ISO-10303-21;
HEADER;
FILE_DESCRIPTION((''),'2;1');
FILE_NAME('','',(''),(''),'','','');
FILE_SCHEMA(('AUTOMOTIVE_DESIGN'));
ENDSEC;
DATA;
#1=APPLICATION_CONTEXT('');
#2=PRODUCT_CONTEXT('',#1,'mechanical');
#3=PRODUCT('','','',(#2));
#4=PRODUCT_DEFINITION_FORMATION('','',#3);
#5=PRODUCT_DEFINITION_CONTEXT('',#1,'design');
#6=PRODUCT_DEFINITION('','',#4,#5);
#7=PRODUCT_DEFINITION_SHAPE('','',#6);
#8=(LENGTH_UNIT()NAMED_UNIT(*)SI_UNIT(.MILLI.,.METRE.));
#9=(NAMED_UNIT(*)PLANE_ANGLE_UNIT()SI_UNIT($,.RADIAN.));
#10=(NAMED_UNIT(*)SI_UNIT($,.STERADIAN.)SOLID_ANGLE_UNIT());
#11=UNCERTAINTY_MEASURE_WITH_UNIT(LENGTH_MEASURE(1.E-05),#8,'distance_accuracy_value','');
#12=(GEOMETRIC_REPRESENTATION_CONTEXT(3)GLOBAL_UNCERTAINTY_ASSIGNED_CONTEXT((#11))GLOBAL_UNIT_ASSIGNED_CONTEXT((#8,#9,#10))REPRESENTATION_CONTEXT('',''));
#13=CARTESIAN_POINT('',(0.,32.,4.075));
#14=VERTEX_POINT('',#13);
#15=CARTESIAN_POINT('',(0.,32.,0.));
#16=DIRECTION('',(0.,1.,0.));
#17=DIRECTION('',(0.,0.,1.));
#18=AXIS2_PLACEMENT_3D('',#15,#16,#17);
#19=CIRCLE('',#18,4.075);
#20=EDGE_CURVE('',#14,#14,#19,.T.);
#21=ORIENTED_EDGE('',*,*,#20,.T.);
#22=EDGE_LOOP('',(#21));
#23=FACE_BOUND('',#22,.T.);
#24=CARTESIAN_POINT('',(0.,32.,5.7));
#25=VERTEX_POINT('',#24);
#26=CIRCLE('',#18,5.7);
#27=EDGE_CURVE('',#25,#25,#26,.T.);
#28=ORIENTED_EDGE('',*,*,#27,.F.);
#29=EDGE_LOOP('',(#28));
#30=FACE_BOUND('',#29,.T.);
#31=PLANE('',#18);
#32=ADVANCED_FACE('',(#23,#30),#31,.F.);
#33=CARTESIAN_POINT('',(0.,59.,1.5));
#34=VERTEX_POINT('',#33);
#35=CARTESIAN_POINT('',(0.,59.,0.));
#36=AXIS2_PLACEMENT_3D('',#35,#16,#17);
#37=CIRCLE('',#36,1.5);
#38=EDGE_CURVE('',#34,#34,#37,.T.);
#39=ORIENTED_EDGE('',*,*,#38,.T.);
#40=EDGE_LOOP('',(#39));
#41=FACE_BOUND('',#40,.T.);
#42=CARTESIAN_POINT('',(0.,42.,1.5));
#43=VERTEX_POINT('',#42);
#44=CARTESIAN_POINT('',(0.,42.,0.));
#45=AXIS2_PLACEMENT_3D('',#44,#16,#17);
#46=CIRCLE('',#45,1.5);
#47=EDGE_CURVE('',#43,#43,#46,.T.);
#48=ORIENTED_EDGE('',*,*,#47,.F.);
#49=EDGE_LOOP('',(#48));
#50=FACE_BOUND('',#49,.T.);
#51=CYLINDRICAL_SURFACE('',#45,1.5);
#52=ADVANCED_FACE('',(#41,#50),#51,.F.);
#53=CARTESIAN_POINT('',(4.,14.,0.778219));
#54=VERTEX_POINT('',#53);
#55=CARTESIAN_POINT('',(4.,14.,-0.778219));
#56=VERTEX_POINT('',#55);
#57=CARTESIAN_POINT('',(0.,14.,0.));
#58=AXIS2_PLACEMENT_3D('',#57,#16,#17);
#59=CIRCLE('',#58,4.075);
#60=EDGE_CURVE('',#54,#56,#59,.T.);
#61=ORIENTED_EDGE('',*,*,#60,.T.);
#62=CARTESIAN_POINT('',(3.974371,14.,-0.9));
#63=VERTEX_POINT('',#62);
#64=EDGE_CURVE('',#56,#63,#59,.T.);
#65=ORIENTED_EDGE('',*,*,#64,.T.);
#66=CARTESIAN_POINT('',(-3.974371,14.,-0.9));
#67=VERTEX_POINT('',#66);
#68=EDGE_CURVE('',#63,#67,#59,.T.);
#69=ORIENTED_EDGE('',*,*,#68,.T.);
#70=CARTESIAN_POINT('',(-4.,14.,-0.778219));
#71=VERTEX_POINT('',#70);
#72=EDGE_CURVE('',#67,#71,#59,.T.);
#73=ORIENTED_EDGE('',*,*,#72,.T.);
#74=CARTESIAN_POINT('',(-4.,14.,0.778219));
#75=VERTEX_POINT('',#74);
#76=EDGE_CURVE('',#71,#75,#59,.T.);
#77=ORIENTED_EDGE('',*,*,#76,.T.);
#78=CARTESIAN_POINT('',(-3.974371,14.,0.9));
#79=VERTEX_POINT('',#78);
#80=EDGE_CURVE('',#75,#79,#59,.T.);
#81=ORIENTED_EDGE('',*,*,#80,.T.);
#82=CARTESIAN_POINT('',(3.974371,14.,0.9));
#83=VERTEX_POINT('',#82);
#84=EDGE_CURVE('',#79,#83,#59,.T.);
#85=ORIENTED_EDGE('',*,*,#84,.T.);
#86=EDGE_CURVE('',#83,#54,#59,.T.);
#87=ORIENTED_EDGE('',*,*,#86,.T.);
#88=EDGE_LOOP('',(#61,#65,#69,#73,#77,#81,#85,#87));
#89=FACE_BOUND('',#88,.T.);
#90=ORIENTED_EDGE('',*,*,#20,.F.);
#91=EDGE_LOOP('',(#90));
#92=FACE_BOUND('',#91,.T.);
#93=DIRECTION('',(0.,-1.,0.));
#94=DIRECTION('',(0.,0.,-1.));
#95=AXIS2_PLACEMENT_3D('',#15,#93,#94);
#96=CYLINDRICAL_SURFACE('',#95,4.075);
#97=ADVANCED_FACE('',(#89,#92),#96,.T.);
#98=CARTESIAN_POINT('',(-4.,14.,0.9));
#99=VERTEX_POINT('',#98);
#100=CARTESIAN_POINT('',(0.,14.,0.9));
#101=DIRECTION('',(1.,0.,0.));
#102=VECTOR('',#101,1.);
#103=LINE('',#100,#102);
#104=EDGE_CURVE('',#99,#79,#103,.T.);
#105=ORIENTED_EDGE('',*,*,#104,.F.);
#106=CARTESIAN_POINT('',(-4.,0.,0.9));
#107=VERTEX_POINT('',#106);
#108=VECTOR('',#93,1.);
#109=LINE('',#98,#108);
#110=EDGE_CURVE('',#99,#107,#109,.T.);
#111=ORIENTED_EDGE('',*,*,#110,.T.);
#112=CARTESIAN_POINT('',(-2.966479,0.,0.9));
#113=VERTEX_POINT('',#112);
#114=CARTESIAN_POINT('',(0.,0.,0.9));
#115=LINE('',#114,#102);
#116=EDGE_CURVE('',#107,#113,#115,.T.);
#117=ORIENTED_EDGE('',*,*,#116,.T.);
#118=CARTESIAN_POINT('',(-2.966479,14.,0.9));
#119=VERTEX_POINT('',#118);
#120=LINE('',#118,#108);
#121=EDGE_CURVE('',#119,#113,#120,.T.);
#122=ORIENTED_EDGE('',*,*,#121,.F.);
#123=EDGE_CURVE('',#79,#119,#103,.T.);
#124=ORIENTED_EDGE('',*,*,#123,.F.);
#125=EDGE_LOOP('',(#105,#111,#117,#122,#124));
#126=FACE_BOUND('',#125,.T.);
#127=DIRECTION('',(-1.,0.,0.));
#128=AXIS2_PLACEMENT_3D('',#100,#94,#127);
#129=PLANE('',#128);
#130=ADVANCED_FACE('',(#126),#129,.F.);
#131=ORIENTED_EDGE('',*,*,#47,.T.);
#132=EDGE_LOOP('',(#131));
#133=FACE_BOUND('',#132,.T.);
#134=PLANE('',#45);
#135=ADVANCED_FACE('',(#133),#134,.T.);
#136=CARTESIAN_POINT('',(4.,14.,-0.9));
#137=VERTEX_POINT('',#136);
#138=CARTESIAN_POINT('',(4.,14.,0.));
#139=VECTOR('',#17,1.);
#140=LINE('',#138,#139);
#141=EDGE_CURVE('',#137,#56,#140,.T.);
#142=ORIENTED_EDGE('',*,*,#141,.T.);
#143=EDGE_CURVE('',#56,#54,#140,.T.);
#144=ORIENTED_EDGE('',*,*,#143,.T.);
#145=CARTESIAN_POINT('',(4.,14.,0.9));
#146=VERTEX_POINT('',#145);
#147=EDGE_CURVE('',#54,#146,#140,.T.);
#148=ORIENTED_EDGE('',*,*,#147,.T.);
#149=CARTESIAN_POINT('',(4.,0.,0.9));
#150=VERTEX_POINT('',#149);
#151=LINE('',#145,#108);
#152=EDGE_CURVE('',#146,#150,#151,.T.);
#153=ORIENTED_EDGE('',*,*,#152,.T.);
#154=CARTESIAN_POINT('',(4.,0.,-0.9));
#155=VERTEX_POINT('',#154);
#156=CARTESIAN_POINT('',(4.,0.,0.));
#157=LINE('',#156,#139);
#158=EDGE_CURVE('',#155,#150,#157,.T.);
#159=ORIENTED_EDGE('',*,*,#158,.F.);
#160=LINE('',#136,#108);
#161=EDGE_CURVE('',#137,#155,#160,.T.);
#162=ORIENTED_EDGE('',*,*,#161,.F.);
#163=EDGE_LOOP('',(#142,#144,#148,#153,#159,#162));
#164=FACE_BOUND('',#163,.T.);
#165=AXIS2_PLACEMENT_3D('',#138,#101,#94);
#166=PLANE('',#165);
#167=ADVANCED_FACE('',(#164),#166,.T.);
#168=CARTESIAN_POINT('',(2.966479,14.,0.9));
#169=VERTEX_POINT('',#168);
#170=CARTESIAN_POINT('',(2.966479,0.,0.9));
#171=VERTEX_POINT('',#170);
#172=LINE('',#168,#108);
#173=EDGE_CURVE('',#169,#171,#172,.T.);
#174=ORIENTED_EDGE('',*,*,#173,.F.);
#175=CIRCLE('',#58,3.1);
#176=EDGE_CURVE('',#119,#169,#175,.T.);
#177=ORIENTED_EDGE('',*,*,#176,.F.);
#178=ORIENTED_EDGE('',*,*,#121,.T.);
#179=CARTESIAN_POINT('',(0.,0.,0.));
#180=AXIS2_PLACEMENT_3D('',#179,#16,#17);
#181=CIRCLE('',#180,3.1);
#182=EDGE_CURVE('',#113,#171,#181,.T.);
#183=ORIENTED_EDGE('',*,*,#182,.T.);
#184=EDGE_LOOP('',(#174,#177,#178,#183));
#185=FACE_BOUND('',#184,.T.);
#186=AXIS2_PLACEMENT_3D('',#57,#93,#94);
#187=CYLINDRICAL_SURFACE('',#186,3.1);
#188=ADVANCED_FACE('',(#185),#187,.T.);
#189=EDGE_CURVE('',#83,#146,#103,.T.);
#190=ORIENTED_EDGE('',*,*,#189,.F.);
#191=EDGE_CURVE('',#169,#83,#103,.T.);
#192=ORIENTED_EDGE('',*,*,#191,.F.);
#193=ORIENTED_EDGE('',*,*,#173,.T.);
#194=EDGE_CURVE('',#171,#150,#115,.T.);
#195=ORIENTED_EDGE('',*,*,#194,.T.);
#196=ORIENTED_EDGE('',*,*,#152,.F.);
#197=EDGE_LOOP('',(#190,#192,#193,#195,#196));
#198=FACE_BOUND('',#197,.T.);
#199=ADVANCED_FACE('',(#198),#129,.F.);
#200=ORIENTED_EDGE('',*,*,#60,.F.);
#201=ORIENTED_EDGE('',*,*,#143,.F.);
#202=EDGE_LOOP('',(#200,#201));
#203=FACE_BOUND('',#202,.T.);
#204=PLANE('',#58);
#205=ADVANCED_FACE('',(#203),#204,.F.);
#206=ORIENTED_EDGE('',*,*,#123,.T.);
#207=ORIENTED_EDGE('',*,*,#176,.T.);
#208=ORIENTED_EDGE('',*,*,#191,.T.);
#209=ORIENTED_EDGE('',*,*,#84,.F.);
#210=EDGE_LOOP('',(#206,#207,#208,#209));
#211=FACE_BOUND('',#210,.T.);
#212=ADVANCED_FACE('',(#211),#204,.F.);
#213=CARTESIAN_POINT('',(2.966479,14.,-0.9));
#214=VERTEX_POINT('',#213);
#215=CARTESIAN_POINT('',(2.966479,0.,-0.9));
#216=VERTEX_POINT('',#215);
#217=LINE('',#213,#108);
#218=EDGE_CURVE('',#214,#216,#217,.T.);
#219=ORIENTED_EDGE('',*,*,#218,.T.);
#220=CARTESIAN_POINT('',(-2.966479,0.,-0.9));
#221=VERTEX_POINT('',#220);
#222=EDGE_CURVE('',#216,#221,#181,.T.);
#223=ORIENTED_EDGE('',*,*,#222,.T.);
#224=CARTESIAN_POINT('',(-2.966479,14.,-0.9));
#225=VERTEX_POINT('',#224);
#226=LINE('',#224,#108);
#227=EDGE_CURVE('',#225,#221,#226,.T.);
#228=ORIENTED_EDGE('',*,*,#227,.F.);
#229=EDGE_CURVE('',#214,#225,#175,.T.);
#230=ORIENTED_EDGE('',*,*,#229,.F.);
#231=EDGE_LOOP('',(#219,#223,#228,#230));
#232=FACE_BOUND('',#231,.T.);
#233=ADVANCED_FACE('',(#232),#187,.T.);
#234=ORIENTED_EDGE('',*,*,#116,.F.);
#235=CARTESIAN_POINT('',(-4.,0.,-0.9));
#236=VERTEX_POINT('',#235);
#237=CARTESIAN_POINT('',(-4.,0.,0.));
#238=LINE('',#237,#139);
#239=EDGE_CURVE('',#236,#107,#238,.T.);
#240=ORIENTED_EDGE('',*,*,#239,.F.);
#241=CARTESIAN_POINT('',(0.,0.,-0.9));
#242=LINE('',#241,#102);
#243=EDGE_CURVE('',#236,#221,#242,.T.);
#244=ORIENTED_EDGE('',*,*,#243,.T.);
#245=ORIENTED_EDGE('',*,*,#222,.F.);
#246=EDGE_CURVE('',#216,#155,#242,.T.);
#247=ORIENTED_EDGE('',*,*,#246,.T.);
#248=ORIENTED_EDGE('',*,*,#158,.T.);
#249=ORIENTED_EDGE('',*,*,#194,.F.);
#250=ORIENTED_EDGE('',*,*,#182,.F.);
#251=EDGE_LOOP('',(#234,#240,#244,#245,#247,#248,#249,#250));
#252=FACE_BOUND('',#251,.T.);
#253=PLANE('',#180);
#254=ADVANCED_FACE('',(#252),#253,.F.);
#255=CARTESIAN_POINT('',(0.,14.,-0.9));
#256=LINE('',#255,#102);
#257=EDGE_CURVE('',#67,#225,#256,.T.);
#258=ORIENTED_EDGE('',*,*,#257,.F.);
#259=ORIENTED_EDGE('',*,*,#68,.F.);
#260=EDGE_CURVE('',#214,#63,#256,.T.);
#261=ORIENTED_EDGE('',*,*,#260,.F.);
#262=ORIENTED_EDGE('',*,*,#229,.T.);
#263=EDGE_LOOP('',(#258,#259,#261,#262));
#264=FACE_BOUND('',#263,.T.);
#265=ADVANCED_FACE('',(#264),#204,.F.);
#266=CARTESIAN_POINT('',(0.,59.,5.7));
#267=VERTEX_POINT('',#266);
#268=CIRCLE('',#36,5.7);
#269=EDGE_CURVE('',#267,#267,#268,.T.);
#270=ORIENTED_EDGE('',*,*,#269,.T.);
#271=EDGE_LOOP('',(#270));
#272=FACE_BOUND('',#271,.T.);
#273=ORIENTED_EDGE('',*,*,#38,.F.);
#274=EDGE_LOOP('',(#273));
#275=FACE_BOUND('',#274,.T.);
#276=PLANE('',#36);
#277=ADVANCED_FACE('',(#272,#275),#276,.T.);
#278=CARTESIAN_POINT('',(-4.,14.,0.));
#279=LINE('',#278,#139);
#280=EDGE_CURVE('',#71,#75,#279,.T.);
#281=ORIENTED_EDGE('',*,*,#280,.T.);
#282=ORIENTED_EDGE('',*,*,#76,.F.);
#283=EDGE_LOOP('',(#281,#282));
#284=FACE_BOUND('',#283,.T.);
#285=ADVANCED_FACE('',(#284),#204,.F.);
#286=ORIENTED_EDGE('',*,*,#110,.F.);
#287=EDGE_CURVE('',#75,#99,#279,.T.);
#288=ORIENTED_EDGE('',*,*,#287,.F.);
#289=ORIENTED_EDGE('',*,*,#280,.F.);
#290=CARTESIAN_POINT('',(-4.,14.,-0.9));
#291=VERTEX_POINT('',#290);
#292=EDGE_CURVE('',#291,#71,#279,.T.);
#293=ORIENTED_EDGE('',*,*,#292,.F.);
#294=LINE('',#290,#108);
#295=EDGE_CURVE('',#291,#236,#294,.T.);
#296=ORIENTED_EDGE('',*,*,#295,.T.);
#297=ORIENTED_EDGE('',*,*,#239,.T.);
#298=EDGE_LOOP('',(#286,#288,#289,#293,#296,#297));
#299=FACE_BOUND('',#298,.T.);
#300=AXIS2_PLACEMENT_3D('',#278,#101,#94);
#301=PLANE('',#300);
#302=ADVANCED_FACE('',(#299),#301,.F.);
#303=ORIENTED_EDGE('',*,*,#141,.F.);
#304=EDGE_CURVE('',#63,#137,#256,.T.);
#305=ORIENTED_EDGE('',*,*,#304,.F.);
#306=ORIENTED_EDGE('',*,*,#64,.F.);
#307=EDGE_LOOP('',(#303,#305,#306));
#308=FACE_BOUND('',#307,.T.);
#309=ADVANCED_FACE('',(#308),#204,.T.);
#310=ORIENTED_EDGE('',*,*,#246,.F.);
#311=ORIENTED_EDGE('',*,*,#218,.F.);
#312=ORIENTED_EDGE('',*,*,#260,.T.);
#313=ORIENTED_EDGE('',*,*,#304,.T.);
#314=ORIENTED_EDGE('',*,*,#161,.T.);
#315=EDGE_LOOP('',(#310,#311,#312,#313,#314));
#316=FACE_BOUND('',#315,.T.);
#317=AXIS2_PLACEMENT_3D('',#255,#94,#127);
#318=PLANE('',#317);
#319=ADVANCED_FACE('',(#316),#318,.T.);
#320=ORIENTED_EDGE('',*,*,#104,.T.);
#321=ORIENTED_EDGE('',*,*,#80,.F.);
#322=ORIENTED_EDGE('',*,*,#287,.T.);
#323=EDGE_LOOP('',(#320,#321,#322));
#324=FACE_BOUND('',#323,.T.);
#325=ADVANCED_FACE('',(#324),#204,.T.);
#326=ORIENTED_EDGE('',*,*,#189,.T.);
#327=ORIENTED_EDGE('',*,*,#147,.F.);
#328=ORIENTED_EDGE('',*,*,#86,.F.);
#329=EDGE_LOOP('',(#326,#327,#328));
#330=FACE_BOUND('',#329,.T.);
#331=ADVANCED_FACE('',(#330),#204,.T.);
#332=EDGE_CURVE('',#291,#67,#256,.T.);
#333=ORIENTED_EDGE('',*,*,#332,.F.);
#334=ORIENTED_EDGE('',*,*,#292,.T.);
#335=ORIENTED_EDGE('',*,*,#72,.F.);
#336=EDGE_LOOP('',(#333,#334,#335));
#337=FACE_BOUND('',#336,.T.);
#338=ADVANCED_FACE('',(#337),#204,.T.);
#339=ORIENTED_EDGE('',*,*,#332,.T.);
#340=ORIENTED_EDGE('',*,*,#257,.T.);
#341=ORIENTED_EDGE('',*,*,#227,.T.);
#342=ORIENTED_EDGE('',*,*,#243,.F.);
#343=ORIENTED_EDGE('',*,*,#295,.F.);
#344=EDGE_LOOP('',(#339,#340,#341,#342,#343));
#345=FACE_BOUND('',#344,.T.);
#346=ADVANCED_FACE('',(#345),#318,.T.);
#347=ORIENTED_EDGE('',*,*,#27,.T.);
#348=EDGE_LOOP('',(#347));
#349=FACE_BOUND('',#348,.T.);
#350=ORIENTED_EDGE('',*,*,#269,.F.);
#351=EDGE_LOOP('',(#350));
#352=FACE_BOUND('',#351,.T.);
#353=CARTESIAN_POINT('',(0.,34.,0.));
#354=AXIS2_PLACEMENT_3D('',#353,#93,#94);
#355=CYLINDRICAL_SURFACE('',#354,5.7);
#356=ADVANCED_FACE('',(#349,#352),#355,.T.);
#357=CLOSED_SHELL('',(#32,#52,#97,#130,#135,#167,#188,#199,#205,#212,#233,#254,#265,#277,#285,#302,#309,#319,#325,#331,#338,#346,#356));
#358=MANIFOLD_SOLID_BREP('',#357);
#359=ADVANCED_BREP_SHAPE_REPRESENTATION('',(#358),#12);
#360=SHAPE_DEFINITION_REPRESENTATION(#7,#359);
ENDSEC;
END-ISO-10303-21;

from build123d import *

# Parameters (mm, degrees)
SKETCH1_R           = 3.1
SKETCH1_W           = 8
SKETCH1_H           = 1.8
BOSS_EXTRUDE1_DEPTH = 14
SKETCH2_R           = 4.075
BOSS_EXTRUDE2_DEPTH = 18
SKETCH3_R           = 5.7
BOSS_EXTRUDE3_DEPTH = 2
SKETCH4_R           = 5.7
BOSS_EXTRUDE4_DEPTH = 25
SKETCH5_R           = 1.5
CUT_EXTRUDE1_DEPTH  = 17


with BuildPart() as part:
    # Sketch1 → Boss-Extrude1 (new body)
    with BuildSketch(Plane(origin=(0, 0, 0), x_dir=(1, 0, 0), z_dir=(0, 1, 0))):
        Circle(SKETCH1_R)
        Rectangle(SKETCH1_W, SKETCH1_H)
    extrude(amount=BOSS_EXTRUDE1_DEPTH)

    # Sketch2 → Boss-Extrude2 (add)
    with BuildSketch(Plane(origin=(0, 14, 0), x_dir=(1, 0, 0), z_dir=(0, 1, 0))):
        with Locations(Location((0, 0, 0), (0, 0, 12.759485069))):
            Circle(SKETCH2_R)
    extrude(amount=BOSS_EXTRUDE2_DEPTH)

    # Sketch3 → Boss-Extrude3 (add)
    with BuildSketch(Plane(origin=(0, 32, 0), x_dir=(1, 0, 0), z_dir=(0, 1, 0))):
        with Locations(Location((0, 0, 0), (0, 0, 270))):
            Circle(SKETCH3_R)
    extrude(amount=BOSS_EXTRUDE3_DEPTH)

    # Sketch4 → Boss-Extrude4 (add)
    with BuildSketch(Plane(origin=(0, 34, 0), x_dir=(1, 0, 0), z_dir=(0, 1, 0))):
        with Locations(Location((0, 0, 0), (0, 0, 270))):
            Circle(SKETCH4_R)
    extrude(amount=BOSS_EXTRUDE4_DEPTH)

    # Sketch5 → Cut-Extrude1 (cut)
    with BuildSketch(Plane(origin=(0, 59, 0), x_dir=(1, 0, 0), z_dir=(0, 1, 0))):
        with Locations(Location((0, 0, 0), (0, 0, 270))):
            Circle(SKETCH5_R)
    extrude(amount=-CUT_EXTRUDE1_DEPTH, mode=Mode.SUBTRACT)


solid = part.part
